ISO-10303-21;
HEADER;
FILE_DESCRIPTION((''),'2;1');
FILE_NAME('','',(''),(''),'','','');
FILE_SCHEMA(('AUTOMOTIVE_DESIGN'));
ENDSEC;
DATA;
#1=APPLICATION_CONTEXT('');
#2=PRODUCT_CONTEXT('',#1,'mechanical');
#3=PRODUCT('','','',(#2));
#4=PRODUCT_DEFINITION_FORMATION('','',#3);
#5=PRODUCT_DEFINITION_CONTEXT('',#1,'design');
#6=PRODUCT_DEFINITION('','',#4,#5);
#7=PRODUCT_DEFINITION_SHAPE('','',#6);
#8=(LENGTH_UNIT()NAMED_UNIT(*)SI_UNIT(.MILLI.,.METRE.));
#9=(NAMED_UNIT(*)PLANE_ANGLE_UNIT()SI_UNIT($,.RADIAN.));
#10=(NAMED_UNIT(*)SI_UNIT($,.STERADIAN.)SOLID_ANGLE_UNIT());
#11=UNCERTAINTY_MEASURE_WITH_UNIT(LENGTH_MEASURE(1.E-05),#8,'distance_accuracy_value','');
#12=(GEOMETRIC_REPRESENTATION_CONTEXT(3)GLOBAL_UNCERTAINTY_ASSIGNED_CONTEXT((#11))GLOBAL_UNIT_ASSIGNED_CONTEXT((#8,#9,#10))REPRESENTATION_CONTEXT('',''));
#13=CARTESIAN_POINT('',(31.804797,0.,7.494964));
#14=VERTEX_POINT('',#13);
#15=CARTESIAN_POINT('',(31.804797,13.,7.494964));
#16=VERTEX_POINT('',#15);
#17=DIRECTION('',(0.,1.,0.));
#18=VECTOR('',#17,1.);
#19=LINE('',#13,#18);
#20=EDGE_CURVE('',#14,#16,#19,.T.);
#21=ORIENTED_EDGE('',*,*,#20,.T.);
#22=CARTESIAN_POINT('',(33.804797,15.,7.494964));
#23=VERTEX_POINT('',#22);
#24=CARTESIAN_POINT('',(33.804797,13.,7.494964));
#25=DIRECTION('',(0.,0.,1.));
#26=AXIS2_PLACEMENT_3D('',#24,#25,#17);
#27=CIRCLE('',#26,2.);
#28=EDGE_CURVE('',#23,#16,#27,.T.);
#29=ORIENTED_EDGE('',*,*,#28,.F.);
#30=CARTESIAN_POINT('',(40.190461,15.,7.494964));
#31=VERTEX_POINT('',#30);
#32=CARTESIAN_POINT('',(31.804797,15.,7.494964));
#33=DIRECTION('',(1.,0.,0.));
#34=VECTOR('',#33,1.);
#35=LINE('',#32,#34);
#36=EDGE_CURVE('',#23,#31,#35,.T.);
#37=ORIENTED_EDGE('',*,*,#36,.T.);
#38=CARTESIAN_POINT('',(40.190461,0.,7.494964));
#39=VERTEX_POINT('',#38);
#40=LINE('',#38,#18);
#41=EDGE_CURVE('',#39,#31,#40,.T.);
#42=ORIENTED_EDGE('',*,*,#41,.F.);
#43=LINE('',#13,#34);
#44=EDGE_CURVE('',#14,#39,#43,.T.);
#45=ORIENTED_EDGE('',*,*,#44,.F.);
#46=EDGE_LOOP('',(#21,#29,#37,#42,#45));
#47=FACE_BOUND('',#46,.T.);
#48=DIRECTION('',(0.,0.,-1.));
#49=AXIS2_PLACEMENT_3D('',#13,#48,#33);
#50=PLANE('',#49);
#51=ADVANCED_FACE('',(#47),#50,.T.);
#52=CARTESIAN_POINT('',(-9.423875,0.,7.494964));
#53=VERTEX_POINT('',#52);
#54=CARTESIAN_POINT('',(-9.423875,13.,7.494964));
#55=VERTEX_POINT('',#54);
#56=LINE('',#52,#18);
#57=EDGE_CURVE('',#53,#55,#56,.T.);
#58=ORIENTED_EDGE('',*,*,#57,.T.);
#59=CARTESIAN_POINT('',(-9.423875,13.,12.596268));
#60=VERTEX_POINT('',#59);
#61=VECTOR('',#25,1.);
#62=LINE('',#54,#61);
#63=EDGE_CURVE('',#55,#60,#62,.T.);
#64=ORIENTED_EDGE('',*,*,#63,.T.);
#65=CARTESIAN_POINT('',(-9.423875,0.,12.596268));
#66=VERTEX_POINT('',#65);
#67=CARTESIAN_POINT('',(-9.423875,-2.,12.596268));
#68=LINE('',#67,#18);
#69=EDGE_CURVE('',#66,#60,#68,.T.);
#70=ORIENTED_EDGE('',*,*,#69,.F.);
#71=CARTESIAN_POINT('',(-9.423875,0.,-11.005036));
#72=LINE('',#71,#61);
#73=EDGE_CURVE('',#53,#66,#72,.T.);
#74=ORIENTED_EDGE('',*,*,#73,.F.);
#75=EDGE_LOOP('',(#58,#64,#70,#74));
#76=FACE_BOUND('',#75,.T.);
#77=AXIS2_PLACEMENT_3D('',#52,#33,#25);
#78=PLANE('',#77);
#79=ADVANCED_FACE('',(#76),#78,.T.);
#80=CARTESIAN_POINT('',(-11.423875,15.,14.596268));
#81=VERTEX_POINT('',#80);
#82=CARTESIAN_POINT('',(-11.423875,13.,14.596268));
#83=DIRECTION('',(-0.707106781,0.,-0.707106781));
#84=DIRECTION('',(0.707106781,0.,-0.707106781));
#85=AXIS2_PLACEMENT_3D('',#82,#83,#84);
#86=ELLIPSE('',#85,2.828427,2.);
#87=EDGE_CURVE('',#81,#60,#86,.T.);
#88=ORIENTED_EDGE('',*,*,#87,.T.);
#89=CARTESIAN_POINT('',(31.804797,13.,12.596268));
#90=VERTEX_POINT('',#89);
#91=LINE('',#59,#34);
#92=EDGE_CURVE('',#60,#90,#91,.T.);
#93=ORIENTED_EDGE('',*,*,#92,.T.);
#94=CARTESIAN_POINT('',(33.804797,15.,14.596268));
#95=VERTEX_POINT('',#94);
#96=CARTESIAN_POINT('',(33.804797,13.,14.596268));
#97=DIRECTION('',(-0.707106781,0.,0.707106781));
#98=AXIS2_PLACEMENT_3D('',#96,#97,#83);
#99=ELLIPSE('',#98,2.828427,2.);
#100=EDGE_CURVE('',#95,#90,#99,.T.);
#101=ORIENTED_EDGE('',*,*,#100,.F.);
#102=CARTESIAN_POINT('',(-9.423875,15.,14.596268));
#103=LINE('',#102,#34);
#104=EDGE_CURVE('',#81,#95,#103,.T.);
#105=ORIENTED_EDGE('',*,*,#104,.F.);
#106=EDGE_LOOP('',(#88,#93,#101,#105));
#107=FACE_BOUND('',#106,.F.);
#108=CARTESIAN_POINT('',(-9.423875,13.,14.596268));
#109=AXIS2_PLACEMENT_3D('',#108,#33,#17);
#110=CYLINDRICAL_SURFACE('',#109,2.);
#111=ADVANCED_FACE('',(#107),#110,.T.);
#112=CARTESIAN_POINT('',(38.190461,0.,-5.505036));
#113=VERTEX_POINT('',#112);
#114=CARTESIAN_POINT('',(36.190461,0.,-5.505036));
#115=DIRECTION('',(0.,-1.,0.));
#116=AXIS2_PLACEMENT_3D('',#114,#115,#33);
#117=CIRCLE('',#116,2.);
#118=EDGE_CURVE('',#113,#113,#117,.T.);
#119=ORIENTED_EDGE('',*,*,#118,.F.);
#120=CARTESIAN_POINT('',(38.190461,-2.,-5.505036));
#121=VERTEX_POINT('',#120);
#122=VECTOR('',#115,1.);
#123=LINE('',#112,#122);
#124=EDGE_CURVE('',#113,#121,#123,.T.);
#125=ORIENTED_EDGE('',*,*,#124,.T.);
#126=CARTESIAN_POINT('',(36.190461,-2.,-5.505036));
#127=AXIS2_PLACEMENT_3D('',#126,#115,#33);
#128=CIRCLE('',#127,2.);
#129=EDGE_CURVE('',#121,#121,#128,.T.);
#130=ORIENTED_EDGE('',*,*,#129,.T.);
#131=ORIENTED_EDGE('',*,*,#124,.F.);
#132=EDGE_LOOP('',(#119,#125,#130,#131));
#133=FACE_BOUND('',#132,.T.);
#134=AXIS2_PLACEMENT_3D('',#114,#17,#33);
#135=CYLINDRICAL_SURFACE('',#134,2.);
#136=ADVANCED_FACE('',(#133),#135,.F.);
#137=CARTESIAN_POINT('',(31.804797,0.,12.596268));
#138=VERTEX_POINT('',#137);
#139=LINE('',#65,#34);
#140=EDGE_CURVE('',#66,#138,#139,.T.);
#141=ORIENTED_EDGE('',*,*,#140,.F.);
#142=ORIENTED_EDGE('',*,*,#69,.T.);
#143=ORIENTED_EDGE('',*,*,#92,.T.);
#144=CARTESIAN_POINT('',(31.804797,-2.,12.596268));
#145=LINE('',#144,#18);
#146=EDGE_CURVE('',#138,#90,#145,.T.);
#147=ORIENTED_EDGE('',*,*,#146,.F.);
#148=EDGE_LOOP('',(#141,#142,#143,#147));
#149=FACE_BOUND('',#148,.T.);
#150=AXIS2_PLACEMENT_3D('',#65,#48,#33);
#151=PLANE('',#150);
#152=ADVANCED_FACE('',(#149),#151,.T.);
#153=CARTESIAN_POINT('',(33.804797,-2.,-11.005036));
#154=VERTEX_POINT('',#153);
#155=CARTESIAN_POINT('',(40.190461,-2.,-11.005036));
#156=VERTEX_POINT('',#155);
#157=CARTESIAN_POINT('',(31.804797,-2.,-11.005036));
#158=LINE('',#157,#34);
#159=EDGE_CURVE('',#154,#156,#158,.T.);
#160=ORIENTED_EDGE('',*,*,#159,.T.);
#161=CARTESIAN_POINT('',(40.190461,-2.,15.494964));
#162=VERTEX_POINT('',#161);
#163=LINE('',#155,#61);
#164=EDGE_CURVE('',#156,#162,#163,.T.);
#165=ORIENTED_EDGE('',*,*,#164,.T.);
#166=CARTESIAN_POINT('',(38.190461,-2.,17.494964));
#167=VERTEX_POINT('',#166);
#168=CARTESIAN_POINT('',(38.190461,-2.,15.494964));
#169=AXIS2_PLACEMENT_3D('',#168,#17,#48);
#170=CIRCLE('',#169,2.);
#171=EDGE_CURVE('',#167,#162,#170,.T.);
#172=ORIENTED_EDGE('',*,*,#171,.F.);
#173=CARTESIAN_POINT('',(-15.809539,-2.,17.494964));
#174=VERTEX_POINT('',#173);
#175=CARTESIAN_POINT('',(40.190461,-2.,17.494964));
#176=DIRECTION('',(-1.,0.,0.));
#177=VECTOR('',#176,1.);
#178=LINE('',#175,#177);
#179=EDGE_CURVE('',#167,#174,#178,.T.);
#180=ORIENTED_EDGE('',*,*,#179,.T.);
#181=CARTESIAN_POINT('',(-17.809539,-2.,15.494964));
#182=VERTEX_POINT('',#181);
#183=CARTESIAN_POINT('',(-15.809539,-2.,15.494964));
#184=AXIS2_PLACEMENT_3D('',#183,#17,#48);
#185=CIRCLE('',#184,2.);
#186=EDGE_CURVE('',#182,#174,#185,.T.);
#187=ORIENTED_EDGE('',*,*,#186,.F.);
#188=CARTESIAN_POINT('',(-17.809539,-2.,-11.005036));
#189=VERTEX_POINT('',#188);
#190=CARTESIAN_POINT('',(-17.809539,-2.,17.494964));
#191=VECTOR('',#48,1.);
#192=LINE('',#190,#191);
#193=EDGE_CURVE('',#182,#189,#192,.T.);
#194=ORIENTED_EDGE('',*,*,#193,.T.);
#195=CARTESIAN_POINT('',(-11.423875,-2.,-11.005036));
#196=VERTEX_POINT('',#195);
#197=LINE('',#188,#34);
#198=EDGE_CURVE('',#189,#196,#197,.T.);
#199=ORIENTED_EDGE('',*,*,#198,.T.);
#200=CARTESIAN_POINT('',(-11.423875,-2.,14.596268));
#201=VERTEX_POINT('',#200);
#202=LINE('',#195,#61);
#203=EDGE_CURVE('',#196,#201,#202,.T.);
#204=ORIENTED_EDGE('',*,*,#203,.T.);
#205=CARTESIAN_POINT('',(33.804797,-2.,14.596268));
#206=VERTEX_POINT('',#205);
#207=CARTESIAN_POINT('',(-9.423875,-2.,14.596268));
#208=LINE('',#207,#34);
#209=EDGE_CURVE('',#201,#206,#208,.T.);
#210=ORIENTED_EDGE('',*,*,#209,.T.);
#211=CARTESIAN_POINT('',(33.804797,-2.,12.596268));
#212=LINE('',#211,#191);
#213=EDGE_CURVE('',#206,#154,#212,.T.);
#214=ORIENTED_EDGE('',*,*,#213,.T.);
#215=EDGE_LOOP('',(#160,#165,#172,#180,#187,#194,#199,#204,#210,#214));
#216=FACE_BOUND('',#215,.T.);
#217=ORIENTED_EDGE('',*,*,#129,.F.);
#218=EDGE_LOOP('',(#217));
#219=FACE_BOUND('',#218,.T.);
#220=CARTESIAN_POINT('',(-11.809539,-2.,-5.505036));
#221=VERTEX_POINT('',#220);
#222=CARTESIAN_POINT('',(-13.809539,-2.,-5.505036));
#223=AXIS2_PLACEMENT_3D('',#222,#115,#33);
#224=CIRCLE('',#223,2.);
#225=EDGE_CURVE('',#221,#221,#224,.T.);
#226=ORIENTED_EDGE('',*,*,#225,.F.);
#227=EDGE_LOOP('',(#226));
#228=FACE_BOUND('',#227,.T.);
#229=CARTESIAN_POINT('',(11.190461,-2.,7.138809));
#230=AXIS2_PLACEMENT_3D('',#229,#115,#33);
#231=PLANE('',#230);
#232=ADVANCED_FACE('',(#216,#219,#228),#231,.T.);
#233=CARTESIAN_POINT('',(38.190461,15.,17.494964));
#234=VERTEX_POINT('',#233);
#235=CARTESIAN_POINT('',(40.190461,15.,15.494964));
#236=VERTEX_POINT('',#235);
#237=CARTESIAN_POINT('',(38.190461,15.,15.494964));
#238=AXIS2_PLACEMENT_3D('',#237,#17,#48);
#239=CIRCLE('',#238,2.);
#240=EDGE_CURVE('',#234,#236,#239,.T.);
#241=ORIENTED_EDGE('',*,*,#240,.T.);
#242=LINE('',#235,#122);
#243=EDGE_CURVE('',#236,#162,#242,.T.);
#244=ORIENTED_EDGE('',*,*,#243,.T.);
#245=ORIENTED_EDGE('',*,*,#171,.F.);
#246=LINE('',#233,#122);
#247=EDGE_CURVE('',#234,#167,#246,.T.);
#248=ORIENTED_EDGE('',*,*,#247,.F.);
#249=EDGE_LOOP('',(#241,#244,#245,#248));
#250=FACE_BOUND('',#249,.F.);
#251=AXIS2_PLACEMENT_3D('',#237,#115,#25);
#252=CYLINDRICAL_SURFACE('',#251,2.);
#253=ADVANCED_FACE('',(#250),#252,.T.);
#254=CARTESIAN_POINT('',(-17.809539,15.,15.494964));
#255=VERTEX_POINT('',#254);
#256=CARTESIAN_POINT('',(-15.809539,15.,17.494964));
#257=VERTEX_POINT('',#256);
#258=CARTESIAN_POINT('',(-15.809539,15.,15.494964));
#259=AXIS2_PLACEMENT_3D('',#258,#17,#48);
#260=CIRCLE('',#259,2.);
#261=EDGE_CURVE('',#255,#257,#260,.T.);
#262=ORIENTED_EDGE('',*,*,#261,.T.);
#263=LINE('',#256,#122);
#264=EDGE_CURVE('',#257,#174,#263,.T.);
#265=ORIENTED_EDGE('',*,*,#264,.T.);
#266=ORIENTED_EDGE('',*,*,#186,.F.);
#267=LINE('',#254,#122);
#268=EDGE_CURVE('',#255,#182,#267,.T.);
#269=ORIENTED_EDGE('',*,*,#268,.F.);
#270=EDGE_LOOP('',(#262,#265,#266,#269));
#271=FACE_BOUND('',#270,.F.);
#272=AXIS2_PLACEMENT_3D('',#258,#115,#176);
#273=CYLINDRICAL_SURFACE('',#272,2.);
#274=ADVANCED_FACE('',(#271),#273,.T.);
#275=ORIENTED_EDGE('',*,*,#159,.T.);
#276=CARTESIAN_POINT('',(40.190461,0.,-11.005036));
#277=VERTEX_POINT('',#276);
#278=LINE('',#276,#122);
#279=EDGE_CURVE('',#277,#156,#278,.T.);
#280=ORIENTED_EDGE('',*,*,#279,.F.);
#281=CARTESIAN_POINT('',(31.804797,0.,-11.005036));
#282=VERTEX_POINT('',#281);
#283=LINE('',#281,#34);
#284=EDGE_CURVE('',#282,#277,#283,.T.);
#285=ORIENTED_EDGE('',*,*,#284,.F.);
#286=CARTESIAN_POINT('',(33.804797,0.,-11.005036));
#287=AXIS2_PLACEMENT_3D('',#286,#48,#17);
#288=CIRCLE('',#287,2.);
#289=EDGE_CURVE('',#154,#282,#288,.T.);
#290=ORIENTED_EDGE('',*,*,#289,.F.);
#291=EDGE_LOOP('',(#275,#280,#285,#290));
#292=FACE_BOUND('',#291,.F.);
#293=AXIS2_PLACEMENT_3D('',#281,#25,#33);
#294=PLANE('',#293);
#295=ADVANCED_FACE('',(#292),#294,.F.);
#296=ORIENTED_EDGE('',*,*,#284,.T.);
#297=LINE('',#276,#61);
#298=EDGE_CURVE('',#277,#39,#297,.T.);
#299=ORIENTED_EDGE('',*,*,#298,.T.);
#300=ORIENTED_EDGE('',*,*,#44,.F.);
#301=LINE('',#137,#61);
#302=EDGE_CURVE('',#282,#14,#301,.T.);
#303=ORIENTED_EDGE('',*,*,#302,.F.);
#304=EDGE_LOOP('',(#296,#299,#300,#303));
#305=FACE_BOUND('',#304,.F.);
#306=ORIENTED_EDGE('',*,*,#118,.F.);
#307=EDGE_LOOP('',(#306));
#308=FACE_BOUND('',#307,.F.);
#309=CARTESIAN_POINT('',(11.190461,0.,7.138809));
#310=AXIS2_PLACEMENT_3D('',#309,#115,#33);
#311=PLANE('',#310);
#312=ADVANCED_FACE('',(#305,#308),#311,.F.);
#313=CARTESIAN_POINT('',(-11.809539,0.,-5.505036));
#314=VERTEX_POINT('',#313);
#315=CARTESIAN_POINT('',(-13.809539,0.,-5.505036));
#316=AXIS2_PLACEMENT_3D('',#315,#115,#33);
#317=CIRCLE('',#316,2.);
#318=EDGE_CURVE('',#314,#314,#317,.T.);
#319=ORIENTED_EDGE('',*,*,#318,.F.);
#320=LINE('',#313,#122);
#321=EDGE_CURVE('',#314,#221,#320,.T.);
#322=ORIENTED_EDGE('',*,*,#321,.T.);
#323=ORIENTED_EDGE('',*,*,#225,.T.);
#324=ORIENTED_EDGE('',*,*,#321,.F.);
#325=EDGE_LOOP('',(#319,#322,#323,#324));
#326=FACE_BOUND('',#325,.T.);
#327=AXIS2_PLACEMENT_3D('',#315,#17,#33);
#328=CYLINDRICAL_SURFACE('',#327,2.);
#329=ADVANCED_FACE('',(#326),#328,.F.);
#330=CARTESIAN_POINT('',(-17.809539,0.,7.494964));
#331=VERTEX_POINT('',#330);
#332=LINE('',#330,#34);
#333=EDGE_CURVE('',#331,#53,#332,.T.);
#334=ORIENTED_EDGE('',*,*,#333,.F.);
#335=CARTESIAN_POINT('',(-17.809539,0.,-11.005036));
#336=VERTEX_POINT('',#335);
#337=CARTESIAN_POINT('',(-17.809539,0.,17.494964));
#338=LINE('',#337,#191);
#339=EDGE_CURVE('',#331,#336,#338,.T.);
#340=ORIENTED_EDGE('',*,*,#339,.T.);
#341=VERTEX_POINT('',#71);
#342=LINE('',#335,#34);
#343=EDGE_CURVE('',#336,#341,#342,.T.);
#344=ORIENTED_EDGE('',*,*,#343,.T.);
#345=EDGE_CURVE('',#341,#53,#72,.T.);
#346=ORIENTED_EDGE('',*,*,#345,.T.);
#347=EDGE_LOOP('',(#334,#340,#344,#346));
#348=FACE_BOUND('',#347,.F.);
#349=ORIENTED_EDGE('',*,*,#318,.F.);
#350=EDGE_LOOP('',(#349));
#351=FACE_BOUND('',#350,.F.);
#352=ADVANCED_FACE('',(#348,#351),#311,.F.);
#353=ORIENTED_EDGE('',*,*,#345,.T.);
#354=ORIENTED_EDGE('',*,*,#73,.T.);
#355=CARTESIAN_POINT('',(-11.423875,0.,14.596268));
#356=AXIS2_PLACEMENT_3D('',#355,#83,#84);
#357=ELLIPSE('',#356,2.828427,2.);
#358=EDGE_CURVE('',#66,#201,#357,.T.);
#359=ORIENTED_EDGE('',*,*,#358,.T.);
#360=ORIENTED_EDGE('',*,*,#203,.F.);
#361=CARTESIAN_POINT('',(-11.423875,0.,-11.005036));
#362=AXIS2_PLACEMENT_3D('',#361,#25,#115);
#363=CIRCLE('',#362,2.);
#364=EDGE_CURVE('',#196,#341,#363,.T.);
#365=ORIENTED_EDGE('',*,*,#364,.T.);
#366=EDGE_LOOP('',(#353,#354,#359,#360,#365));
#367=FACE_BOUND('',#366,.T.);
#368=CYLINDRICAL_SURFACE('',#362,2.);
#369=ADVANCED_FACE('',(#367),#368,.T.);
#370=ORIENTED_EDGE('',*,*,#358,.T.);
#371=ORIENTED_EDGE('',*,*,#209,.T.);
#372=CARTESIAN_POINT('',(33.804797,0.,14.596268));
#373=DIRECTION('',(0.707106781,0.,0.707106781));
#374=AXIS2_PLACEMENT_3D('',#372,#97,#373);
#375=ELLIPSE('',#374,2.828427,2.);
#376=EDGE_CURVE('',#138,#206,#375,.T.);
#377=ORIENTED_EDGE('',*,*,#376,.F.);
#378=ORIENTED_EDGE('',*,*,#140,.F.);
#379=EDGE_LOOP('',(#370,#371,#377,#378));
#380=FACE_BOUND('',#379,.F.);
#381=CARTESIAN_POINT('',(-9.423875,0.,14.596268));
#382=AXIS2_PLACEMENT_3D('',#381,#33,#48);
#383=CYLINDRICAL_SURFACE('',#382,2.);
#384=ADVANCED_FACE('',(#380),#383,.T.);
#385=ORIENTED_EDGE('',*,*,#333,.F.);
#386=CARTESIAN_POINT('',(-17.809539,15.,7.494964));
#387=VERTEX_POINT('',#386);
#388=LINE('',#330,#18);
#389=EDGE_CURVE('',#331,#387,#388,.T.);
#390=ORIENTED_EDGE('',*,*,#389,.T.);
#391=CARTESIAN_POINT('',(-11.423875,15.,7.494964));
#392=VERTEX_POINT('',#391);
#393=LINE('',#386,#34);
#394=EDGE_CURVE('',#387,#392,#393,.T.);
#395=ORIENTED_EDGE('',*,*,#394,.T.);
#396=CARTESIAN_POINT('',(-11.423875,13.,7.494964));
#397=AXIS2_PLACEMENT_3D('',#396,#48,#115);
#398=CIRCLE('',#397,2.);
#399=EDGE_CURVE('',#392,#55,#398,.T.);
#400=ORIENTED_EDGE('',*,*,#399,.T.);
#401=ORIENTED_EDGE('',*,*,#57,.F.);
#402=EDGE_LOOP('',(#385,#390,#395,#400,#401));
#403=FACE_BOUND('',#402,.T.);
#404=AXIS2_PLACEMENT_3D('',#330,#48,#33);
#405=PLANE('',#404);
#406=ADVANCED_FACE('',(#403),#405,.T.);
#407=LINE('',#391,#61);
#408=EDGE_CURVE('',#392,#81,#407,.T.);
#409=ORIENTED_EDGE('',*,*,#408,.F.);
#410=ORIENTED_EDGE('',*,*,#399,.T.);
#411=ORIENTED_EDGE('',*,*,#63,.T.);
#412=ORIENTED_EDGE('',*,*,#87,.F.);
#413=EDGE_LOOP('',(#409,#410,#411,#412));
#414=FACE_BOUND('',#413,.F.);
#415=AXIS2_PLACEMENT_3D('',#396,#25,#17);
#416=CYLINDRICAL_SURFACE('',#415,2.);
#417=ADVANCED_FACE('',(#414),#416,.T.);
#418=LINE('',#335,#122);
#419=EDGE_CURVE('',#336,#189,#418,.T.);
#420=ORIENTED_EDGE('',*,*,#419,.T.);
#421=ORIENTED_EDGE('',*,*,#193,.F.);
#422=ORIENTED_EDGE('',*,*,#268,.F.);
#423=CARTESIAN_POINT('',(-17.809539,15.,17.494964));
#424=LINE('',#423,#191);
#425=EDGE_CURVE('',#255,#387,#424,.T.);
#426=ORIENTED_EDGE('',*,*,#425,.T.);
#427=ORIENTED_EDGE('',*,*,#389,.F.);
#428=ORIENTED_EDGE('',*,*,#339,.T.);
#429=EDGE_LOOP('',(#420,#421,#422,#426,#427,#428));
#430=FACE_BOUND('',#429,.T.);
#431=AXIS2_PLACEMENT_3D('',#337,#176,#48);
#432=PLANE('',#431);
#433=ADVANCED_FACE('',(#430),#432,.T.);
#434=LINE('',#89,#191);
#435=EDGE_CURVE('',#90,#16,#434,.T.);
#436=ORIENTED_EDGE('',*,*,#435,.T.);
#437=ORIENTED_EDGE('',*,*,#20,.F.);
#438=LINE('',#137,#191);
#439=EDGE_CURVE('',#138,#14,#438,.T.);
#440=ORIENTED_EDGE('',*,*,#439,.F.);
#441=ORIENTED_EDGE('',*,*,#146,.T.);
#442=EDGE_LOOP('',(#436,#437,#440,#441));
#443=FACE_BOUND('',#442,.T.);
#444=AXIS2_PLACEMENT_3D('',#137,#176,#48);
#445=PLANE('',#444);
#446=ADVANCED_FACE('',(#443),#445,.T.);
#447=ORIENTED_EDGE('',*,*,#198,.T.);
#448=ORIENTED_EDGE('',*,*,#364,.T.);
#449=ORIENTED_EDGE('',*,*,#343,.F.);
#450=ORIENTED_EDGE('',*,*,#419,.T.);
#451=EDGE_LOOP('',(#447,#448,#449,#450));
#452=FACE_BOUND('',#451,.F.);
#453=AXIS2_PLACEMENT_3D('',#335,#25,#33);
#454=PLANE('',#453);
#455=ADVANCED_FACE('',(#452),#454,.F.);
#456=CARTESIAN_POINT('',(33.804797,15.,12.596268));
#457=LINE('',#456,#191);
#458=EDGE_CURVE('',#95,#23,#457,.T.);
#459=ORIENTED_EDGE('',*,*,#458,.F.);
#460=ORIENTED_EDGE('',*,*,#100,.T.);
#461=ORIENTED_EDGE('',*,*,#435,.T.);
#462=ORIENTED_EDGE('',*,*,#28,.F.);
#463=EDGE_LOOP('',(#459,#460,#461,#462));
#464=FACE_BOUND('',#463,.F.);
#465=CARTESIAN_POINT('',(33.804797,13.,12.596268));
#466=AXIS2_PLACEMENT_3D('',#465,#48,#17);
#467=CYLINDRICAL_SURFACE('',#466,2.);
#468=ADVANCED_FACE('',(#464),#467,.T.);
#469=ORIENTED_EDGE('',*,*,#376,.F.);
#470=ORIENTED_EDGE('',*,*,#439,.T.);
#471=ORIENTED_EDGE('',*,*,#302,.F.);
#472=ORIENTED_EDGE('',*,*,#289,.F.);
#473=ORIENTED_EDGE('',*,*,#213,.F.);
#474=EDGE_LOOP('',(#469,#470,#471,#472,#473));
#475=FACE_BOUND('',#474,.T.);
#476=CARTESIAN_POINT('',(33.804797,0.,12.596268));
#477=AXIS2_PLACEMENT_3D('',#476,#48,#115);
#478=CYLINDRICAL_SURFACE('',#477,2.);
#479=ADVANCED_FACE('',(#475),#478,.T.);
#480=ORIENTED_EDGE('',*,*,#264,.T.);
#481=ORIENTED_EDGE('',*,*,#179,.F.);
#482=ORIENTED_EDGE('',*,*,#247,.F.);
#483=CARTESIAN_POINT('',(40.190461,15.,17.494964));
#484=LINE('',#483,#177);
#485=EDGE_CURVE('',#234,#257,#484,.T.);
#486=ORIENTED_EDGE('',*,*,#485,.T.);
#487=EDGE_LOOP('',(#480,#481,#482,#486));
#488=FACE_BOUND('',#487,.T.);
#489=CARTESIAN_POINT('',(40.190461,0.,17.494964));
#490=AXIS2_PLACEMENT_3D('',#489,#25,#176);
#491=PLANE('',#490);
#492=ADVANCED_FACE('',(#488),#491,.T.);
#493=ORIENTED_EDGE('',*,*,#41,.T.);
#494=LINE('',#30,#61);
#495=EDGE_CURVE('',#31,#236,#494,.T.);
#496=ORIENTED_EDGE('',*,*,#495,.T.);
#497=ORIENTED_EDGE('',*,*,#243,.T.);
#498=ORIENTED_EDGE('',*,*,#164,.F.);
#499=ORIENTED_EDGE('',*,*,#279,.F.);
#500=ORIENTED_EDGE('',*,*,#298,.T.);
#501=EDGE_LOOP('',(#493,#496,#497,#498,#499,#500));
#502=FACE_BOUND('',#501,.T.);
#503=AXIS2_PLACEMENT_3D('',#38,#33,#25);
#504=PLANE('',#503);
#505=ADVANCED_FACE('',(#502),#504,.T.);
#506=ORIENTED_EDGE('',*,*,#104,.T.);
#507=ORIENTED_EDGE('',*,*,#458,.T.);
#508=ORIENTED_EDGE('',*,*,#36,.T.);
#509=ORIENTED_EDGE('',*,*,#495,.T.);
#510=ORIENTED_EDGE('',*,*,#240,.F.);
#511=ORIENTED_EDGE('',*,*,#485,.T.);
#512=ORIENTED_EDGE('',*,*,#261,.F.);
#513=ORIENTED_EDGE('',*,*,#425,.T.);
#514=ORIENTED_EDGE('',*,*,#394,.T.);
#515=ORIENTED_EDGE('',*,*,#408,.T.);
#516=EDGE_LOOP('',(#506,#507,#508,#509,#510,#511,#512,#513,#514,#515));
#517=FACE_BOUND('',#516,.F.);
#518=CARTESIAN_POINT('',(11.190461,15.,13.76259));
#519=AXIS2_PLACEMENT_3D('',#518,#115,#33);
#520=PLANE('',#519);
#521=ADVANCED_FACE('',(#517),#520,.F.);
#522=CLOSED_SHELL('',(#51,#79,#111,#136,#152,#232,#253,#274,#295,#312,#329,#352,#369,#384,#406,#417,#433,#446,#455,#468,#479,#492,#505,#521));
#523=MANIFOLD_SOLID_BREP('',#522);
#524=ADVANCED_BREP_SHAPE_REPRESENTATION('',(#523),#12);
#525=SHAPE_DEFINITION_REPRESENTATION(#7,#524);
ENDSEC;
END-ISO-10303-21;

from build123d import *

# Parameters (mm, degrees)
F0_R     = 2
F1_DEPTH = 2
F3_DEPTH = 15
F4_R     = 2


with BuildPart() as f1:
    # F0 (on Front) → F1 (new body)
    with BuildSketch(Plane.XZ):
        Polygon((40.190461, 17.494964), (-17.809539, 17.494964), (-17.809539, -11.005036), (-9.423875, -11.005036), (-9.423875, 12.596268), (31.804797, 12.596268), (31.804797, -11.005036), (40.190461, -11.005036), align=None)
        with Locations((-13.809539, -5.505036)):
            Circle(F0_R, mode=Mode.SUBTRACT)
        with Locations((36.190461, -5.505036)):
            Circle(F0_R, mode=Mode.SUBTRACT)
    extrude(amount=F1_DEPTH)

    # F2 (on face) → F3 (join)
    with BuildSketch(Plane.XZ):
        Polygon((31.804797, 7.494964), (40.190461, 7.494964), (40.190461, 17.494964), (-17.809539, 17.494964), (-17.809539, 7.494964), (-9.423875, 7.494964), (-9.423875, 12.596268), (31.804797, 12.596268), align=None)
    extrude(amount=-F3_DEPTH)

    # F4
    f4_edges = [f1.edges().sort_by_distance(p)[0] for p in [
        (-17.809539, 6.5, 17.494964),
        (40.190461, 6.5, 17.494964),
        (11.190461, -2, 12.596268),
        (31.804797, -2, 0.795616),
        (-9.423875, -2, 0.795616),
        (31.804797, 15, 10.045616),
        (11.190461, 15, 12.596268),
        (-9.423875, 15, 10.045616),
    ]]
    fillet(f4_edges, radius=F4_R)


solid = f1.part
